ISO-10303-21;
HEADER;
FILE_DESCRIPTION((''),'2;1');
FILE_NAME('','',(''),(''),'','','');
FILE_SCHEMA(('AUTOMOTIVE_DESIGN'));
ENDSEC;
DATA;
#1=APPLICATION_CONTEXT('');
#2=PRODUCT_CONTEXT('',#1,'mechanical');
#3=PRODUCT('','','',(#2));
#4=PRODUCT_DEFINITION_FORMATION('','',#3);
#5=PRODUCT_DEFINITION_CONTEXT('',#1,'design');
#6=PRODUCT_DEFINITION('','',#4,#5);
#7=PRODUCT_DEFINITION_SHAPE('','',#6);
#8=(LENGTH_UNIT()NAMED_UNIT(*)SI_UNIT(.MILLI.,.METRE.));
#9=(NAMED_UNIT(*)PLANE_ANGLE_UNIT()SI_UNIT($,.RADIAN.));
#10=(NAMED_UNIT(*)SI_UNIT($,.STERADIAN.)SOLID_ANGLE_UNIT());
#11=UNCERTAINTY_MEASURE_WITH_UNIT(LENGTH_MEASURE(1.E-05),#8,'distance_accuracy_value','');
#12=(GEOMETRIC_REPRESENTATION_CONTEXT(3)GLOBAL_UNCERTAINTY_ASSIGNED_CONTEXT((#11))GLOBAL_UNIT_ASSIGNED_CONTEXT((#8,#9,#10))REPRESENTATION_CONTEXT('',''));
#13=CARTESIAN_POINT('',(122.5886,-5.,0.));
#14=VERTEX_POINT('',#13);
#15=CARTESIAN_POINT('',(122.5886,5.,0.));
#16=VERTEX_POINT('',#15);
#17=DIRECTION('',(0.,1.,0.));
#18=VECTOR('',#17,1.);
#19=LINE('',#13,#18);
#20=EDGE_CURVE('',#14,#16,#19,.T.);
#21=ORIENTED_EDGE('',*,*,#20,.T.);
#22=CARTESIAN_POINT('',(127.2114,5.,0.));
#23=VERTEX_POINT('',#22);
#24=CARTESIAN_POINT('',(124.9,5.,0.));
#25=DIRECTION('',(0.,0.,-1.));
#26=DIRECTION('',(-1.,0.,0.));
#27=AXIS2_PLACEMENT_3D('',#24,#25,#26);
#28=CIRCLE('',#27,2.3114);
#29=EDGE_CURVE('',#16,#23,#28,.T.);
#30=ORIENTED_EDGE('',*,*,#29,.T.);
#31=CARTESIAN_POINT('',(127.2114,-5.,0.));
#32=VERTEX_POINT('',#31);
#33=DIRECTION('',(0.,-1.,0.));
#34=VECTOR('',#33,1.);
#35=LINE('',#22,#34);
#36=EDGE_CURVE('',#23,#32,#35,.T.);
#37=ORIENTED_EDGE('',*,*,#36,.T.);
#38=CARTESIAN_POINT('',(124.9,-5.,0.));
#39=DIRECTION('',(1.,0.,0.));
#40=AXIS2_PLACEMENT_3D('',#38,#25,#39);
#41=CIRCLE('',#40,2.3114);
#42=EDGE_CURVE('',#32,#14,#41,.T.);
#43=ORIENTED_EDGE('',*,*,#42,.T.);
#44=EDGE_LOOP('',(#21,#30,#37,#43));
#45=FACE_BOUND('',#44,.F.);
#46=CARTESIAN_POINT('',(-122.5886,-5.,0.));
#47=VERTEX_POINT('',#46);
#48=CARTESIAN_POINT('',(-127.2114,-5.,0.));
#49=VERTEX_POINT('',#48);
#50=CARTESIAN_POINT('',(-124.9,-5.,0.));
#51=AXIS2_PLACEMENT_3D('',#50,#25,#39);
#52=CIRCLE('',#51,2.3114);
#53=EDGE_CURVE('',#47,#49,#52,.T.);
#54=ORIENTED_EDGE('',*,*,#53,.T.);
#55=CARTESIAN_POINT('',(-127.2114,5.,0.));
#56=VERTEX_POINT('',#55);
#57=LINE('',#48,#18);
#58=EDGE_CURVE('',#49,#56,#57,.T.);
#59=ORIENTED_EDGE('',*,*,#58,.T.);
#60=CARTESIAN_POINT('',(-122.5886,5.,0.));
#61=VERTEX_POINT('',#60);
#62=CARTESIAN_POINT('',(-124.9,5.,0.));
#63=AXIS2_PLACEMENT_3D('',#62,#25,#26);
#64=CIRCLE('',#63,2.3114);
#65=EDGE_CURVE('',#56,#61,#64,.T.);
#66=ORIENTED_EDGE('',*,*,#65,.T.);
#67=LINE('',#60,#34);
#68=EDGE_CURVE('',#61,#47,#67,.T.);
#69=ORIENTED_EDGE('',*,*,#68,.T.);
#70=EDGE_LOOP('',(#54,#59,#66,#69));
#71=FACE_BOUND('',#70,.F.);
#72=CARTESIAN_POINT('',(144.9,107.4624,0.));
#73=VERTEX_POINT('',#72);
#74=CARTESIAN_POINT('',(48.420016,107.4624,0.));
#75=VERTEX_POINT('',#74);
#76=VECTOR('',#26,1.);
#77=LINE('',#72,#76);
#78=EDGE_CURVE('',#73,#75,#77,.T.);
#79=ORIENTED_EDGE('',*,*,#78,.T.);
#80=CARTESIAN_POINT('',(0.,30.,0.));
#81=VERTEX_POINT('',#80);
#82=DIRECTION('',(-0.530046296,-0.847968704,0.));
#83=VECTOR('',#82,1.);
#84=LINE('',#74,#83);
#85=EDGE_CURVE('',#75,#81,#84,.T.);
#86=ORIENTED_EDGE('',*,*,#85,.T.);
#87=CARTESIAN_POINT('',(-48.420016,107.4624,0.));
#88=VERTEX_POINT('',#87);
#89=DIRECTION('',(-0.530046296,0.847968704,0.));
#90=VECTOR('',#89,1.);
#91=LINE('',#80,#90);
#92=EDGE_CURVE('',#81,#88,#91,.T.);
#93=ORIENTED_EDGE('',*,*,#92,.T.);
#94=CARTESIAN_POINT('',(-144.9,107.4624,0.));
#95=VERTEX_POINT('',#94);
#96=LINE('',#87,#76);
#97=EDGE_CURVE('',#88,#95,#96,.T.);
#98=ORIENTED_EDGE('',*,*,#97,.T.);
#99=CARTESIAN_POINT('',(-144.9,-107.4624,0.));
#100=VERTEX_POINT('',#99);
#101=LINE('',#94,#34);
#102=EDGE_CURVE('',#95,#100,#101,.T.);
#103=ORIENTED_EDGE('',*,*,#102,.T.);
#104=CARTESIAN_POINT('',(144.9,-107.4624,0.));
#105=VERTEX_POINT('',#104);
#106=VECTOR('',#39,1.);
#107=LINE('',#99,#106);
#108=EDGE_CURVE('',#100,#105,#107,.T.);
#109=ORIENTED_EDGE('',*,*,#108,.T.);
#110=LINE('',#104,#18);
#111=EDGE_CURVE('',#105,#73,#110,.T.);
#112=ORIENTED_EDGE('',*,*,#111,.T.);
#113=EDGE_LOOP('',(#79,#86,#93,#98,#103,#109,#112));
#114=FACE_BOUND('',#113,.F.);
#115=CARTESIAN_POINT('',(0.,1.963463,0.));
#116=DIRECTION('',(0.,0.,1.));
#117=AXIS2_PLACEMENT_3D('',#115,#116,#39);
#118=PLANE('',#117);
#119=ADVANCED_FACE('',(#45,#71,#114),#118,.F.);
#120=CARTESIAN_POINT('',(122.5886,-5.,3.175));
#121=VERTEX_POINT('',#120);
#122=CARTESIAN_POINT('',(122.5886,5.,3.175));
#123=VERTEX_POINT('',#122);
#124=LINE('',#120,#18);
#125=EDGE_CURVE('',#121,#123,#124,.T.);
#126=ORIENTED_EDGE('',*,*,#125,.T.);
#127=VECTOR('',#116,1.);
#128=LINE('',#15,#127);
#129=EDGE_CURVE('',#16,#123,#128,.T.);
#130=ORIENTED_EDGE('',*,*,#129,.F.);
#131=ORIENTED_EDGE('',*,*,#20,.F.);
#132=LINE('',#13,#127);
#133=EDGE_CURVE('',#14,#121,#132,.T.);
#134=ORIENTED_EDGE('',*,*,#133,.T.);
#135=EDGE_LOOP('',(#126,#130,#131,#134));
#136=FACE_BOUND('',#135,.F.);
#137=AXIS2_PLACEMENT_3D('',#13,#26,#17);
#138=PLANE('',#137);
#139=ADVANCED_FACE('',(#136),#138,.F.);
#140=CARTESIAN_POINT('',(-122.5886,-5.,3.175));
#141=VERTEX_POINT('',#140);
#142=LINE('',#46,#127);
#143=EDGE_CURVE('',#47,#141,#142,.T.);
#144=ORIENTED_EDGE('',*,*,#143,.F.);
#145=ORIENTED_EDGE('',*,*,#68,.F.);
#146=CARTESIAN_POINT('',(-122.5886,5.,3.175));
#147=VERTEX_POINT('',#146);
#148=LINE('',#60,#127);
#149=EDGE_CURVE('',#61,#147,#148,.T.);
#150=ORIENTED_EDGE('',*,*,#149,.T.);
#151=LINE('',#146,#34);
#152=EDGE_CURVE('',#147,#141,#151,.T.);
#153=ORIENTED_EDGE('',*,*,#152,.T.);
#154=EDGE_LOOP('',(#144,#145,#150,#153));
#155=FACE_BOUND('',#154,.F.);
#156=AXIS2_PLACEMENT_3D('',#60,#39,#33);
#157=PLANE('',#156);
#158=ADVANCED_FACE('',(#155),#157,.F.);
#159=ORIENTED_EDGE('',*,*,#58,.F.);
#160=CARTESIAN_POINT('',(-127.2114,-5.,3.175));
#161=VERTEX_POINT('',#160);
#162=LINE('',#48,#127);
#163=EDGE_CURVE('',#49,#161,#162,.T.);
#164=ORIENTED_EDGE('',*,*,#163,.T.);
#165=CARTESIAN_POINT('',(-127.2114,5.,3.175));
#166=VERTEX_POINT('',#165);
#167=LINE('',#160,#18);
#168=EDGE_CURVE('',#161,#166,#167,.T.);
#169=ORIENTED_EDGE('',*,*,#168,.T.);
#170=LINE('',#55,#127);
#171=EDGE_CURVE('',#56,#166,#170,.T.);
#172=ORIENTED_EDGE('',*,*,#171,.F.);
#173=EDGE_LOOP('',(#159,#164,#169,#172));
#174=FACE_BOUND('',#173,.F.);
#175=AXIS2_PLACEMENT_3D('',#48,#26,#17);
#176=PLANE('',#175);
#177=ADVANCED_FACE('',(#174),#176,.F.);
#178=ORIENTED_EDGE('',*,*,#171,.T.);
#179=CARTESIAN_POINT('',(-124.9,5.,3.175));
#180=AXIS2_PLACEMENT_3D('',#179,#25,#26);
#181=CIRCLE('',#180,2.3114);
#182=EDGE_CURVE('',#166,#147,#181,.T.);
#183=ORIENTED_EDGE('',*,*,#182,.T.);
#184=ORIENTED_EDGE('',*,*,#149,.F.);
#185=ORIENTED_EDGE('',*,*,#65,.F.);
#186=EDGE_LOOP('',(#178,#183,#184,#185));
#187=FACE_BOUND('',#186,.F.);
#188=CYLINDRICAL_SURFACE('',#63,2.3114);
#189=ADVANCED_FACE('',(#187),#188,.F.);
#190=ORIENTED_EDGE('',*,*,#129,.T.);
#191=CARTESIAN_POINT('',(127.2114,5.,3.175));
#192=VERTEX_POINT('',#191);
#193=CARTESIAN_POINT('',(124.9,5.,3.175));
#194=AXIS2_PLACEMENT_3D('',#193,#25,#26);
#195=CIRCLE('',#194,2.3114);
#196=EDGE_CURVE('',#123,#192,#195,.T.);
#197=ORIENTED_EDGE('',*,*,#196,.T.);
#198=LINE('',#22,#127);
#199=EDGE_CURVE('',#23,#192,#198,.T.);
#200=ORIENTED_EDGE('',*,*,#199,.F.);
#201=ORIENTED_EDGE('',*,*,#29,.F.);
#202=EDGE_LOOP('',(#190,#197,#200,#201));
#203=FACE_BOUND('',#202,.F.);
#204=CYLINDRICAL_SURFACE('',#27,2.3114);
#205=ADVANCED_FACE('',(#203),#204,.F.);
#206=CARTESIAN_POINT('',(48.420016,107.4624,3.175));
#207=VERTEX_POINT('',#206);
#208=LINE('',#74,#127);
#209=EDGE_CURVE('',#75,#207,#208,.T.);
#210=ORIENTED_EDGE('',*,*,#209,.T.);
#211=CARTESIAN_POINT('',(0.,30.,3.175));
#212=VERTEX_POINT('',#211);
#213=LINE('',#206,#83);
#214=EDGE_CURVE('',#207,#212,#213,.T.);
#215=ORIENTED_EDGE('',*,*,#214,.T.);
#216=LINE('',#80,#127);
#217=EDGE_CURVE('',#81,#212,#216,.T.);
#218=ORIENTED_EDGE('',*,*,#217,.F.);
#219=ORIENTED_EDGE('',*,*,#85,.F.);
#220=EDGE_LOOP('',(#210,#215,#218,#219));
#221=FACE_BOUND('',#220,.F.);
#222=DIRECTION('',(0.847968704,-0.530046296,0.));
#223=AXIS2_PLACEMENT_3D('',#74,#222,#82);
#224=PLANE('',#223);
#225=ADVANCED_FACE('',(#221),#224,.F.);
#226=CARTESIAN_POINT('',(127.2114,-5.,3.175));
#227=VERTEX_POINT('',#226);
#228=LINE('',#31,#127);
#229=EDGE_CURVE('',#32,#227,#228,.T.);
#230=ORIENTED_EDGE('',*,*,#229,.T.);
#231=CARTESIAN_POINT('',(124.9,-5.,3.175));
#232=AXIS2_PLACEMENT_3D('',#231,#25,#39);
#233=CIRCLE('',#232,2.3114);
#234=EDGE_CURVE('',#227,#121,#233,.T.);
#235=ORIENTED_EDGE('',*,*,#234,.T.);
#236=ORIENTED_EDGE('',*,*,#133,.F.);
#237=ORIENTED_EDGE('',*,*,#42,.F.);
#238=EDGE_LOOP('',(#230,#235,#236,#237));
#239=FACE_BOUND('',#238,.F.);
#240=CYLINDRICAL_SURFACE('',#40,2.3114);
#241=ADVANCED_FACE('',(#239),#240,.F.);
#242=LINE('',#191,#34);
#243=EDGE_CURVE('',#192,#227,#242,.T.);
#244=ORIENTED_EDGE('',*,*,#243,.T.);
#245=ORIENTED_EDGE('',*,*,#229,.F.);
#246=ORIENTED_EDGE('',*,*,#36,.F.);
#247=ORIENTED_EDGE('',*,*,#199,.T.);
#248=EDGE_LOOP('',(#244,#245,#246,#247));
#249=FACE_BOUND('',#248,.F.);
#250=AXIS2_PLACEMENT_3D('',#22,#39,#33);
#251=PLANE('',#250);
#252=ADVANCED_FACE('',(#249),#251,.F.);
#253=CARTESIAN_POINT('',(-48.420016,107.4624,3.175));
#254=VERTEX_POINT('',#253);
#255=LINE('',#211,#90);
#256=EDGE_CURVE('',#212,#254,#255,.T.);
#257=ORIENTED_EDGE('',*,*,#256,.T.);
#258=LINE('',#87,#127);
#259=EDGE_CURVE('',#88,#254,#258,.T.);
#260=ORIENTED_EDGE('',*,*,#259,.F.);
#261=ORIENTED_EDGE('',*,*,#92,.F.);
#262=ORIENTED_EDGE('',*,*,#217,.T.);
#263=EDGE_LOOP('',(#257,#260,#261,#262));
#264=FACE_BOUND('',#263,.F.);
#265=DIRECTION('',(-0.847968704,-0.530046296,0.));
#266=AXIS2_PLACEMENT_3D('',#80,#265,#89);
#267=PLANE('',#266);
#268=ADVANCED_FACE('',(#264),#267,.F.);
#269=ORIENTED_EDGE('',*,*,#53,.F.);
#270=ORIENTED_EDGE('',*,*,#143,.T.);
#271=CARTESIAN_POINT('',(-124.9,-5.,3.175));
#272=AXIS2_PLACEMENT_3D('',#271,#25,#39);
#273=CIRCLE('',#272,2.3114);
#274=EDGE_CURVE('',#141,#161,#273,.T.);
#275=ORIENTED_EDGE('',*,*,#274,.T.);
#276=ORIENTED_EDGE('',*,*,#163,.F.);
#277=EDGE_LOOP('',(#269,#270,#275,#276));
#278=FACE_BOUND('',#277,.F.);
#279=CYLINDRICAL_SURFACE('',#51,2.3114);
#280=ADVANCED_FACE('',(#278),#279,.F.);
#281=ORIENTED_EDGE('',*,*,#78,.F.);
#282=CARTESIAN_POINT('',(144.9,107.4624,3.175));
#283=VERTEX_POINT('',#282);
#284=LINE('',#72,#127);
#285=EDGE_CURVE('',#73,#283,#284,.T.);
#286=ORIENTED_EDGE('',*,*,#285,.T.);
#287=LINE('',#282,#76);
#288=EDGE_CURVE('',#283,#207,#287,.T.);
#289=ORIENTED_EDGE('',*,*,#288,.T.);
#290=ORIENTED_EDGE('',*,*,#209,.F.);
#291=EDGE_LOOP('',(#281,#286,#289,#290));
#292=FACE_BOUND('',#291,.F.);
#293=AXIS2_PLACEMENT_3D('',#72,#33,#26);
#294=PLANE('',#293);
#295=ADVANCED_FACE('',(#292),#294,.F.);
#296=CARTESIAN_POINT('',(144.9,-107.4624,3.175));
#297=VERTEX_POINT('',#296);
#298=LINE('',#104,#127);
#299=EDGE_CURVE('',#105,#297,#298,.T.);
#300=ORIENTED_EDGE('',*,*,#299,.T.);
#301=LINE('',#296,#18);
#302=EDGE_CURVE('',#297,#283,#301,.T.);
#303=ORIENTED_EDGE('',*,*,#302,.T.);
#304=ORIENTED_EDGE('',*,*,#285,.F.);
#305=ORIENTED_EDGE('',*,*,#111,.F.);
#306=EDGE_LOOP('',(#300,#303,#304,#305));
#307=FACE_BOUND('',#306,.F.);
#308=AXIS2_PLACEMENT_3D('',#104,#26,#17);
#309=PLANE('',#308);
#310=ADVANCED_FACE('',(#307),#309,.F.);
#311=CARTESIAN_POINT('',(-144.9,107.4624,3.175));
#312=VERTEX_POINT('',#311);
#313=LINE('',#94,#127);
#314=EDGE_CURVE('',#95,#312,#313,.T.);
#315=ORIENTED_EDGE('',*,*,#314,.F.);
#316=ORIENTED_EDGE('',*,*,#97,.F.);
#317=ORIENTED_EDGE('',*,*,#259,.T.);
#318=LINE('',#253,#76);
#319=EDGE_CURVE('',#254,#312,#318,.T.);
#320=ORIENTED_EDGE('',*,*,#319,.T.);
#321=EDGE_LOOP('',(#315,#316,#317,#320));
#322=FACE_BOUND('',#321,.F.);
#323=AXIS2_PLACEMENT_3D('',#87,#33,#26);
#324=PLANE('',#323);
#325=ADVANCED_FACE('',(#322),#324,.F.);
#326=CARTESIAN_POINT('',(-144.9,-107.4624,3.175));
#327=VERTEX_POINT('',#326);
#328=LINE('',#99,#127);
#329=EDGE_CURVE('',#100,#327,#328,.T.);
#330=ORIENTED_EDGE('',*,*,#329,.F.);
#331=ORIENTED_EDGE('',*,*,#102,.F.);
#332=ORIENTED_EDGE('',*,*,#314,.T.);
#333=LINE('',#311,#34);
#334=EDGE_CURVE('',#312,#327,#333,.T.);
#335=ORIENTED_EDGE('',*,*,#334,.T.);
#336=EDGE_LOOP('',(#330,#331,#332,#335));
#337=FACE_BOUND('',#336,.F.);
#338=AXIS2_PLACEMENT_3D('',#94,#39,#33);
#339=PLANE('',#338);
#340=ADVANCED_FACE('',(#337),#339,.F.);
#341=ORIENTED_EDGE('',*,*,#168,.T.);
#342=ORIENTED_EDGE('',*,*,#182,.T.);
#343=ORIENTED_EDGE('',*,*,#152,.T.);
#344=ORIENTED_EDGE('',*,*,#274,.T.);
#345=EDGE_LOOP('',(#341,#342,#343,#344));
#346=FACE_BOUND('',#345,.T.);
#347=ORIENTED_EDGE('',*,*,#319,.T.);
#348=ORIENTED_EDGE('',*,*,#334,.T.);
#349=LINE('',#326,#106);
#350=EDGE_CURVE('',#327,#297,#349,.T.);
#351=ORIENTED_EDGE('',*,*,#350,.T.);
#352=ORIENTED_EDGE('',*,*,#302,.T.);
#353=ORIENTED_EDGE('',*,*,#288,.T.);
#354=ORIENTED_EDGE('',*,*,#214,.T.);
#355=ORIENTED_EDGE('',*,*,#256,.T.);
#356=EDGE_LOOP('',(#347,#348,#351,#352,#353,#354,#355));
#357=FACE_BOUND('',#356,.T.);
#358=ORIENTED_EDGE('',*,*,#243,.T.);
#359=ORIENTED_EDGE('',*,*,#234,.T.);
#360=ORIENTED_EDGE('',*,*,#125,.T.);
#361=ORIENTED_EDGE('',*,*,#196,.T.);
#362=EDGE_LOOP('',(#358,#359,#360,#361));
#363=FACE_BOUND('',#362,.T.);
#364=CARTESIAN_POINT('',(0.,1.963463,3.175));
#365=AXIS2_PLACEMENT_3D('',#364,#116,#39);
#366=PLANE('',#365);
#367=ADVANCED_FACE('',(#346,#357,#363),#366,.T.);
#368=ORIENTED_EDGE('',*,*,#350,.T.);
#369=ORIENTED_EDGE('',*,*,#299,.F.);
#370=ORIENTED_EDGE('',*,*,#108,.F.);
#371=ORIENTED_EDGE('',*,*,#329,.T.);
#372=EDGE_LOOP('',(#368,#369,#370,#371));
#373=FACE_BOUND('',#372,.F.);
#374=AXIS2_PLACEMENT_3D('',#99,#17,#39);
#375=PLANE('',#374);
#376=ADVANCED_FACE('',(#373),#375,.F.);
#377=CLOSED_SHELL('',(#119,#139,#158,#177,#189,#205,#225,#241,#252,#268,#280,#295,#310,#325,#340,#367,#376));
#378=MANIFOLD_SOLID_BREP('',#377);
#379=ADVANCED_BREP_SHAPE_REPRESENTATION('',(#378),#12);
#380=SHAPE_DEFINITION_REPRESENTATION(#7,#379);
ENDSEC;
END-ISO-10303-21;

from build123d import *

# Parameters (mm, degrees)
F1_DEPTH = 3.175


with BuildPart() as f1:
    # F0 (on Top) → F1 (new body)
    with BuildSketch(Plane.XY):
        Polygon((-144.9, -107.4624), (144.9, -107.4624), (144.9, 107.4624), (48.420016, 107.4624), (0, 30), (-48.420016, 107.4624), (-144.9, 107.4624), (-144.9, 0), align=None)
        with BuildLine():
            Line((-127.2114, -5), (-127.2114, 0))
            Line((-127.2114, 0), (-127.2114, 5))
            ThreePointArc((-127.2114, 5), (-124.9, 7.3114), (-122.5886, 5))
            Line((-122.5886, 5), (-122.5886, -5))
            ThreePointArc((-122.5886, -5), (-124.9, -7.3114), (-127.2114, -5))
        make_face(mode=Mode.SUBTRACT)
        with BuildLine():
            ThreePointArc((122.5886, 5), (124.9, 7.3114), (127.2114, 5))
            Line((127.2114, 5), (127.2114, -5))
            ThreePointArc((127.2114, -5), (124.9, -7.3114), (122.5886, -5))
            Line((122.5886, -5), (122.5886, 5))
        make_face(mode=Mode.SUBTRACT)
    extrude(amount=F1_DEPTH)


solid = f1.part
